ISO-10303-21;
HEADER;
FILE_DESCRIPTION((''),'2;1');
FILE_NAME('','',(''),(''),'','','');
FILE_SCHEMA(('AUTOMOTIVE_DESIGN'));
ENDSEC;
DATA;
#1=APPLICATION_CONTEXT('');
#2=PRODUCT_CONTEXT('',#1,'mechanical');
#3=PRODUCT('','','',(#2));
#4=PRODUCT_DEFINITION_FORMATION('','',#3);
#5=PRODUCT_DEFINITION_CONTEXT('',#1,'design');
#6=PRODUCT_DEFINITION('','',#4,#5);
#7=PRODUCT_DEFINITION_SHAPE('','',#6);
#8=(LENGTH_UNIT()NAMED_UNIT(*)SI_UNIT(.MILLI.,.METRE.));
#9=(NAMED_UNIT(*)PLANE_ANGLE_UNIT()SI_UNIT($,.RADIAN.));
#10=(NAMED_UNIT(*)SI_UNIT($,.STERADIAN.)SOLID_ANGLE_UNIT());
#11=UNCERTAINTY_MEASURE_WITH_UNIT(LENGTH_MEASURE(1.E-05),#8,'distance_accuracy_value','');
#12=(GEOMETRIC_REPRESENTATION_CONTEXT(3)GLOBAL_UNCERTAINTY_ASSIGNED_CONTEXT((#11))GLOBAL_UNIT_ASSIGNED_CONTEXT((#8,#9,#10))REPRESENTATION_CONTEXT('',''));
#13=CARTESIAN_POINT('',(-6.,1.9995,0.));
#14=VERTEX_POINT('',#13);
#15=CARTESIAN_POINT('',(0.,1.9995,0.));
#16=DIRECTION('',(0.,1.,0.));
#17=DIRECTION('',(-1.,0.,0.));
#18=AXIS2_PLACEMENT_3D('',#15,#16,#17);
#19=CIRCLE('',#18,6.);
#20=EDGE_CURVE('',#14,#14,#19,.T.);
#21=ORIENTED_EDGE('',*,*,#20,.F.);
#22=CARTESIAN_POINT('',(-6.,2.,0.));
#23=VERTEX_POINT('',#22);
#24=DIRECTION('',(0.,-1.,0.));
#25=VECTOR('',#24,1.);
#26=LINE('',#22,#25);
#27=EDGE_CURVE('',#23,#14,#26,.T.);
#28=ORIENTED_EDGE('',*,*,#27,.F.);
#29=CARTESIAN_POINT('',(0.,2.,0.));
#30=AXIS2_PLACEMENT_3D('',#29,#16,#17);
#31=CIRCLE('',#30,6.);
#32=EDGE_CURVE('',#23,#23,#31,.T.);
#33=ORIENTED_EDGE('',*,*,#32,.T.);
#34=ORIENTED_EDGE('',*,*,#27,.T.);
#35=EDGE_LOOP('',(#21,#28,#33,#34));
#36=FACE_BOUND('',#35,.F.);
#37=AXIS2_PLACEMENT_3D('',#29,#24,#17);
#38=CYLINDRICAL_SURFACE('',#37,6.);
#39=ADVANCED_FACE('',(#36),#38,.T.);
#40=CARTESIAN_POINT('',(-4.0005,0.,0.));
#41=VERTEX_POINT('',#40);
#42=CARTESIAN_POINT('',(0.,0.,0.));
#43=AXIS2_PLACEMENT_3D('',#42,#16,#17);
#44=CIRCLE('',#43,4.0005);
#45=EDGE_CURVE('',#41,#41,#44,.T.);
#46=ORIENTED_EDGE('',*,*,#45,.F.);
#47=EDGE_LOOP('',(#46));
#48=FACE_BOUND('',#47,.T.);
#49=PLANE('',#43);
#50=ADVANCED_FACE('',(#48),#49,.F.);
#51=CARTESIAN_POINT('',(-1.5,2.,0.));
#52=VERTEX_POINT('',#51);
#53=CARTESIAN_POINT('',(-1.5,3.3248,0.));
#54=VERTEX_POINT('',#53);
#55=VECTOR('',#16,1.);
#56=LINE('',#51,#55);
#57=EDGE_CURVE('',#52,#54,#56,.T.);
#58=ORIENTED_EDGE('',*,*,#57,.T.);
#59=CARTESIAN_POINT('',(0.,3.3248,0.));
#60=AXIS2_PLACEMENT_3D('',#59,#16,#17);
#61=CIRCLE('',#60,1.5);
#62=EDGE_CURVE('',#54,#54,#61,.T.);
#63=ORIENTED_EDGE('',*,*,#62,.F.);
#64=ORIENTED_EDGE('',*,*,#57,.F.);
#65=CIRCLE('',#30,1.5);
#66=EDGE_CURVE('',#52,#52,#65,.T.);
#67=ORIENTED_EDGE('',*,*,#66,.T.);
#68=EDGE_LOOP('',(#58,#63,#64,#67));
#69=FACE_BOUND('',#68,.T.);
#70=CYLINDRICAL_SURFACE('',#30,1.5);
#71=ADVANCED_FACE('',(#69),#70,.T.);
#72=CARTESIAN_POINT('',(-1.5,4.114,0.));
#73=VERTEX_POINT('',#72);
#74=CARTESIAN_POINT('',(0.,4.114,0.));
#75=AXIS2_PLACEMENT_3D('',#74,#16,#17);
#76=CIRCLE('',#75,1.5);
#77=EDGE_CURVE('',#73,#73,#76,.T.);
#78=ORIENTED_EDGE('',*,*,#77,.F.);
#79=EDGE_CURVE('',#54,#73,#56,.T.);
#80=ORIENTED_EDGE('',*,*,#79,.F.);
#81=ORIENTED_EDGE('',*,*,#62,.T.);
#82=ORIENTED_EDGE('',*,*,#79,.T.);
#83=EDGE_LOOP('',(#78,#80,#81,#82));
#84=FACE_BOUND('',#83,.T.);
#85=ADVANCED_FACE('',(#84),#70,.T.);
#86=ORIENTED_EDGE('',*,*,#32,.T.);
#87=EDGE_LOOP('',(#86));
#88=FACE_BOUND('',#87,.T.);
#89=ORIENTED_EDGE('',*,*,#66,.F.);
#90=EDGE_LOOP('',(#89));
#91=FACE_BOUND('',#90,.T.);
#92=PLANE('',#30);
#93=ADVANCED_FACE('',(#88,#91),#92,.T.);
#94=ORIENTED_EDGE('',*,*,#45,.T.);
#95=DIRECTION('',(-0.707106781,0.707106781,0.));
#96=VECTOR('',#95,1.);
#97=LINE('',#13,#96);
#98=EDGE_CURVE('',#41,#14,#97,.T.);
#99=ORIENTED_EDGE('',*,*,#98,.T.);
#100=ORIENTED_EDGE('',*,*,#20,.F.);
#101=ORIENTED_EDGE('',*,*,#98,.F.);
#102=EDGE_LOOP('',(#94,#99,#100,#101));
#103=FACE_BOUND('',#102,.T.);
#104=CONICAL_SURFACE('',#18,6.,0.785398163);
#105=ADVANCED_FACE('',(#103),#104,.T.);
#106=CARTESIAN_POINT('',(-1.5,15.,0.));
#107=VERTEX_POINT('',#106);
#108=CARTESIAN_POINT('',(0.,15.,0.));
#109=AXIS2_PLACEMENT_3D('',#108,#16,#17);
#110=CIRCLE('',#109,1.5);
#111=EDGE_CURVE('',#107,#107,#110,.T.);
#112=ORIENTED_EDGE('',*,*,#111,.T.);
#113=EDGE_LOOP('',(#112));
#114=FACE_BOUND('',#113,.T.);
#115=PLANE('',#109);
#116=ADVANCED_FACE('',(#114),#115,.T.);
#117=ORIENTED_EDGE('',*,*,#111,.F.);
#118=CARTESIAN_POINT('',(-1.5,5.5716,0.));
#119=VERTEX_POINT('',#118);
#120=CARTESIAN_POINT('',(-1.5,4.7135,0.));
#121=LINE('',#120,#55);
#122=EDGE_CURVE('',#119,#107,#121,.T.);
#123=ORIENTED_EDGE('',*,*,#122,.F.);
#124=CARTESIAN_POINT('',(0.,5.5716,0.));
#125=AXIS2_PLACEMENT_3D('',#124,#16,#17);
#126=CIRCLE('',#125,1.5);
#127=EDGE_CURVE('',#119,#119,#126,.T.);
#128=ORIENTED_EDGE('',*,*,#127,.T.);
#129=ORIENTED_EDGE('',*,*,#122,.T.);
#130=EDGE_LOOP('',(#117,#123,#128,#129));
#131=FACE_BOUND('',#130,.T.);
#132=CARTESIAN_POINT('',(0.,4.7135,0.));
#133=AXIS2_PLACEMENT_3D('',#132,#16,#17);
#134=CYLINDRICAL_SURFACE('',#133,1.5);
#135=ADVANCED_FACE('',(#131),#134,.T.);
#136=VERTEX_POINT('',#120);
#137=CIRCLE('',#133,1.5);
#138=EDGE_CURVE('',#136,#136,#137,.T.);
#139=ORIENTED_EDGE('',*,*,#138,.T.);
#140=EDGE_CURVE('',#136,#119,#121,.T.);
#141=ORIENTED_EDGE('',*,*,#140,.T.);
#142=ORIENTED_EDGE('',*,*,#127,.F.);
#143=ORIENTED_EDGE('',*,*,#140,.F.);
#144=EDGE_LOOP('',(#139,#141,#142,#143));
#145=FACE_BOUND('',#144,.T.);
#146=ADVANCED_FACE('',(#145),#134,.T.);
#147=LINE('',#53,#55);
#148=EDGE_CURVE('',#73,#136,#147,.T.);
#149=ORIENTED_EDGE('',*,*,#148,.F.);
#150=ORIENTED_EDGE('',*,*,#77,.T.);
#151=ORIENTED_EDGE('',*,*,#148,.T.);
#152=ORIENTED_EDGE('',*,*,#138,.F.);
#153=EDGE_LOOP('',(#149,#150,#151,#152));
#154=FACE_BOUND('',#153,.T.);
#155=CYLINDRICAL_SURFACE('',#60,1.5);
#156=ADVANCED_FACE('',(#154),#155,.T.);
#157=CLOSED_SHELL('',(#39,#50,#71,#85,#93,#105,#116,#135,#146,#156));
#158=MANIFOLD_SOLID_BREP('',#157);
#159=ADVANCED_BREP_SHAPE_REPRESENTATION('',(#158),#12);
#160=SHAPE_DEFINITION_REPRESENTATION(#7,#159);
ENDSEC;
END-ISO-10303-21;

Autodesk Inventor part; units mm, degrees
ref_plane "YZ Plane" through (0, 0, 0) normal (1, 0, 0) x (0, 1, 0)
ref_plane "XZ Plane" through (0, 0, 0) normal (0, 1, 0) x (-1, 0, 0)
ref_plane "XY Plane" through (0, 0, 0) normal (0, 0, 1) x (1, 0, 0)
sketch "Sketch2" plane through (0, 0, 0) normal (0, 0, 1) x (1, 0, 0)
  line L0 (0, -3.6) -> (0, 21.6) construction
  line L1 (-7.2, 0) -> (1.2, 0) construction
  line L2 (0, 0) -> (-6, 0)
  line L3 (-6, 2) -> (-1.5, 2)
  line L4 (-1.5, 2) -> (-1.5, 4.114)
  line L5 (-1.5, 4.7135) -> (-1.5, 15)
  line L6 (-1.5, 15) -> (0, 15)
  line L7 (0, 0) -> (-6, 0)
  line L8 (-6, 2) -> (-6, 0)
  line L9 (-1.5, 3.3248) -> (-1.5, 5.5716)
  line L10 (0, 15) -> (0, 0)
  point P0 (-1.5, 4.114)
  dimension "d0" = 1.5
  dimension "d1" = 6
  dimension "d3" = 2
  dimension "HighRod" = 13
revolve "Revolution1" add sketch "Sketch2" angle 360 about axis through (0, -10, 0) along (0, 1, 0)
chamfer "Chamfer_top" [suppressed]
chamfer "Chamfer_bottom" distance 2 angle 45 1 edges at (6, 0, 0)
properties part number "P006" material "Aluminium"
